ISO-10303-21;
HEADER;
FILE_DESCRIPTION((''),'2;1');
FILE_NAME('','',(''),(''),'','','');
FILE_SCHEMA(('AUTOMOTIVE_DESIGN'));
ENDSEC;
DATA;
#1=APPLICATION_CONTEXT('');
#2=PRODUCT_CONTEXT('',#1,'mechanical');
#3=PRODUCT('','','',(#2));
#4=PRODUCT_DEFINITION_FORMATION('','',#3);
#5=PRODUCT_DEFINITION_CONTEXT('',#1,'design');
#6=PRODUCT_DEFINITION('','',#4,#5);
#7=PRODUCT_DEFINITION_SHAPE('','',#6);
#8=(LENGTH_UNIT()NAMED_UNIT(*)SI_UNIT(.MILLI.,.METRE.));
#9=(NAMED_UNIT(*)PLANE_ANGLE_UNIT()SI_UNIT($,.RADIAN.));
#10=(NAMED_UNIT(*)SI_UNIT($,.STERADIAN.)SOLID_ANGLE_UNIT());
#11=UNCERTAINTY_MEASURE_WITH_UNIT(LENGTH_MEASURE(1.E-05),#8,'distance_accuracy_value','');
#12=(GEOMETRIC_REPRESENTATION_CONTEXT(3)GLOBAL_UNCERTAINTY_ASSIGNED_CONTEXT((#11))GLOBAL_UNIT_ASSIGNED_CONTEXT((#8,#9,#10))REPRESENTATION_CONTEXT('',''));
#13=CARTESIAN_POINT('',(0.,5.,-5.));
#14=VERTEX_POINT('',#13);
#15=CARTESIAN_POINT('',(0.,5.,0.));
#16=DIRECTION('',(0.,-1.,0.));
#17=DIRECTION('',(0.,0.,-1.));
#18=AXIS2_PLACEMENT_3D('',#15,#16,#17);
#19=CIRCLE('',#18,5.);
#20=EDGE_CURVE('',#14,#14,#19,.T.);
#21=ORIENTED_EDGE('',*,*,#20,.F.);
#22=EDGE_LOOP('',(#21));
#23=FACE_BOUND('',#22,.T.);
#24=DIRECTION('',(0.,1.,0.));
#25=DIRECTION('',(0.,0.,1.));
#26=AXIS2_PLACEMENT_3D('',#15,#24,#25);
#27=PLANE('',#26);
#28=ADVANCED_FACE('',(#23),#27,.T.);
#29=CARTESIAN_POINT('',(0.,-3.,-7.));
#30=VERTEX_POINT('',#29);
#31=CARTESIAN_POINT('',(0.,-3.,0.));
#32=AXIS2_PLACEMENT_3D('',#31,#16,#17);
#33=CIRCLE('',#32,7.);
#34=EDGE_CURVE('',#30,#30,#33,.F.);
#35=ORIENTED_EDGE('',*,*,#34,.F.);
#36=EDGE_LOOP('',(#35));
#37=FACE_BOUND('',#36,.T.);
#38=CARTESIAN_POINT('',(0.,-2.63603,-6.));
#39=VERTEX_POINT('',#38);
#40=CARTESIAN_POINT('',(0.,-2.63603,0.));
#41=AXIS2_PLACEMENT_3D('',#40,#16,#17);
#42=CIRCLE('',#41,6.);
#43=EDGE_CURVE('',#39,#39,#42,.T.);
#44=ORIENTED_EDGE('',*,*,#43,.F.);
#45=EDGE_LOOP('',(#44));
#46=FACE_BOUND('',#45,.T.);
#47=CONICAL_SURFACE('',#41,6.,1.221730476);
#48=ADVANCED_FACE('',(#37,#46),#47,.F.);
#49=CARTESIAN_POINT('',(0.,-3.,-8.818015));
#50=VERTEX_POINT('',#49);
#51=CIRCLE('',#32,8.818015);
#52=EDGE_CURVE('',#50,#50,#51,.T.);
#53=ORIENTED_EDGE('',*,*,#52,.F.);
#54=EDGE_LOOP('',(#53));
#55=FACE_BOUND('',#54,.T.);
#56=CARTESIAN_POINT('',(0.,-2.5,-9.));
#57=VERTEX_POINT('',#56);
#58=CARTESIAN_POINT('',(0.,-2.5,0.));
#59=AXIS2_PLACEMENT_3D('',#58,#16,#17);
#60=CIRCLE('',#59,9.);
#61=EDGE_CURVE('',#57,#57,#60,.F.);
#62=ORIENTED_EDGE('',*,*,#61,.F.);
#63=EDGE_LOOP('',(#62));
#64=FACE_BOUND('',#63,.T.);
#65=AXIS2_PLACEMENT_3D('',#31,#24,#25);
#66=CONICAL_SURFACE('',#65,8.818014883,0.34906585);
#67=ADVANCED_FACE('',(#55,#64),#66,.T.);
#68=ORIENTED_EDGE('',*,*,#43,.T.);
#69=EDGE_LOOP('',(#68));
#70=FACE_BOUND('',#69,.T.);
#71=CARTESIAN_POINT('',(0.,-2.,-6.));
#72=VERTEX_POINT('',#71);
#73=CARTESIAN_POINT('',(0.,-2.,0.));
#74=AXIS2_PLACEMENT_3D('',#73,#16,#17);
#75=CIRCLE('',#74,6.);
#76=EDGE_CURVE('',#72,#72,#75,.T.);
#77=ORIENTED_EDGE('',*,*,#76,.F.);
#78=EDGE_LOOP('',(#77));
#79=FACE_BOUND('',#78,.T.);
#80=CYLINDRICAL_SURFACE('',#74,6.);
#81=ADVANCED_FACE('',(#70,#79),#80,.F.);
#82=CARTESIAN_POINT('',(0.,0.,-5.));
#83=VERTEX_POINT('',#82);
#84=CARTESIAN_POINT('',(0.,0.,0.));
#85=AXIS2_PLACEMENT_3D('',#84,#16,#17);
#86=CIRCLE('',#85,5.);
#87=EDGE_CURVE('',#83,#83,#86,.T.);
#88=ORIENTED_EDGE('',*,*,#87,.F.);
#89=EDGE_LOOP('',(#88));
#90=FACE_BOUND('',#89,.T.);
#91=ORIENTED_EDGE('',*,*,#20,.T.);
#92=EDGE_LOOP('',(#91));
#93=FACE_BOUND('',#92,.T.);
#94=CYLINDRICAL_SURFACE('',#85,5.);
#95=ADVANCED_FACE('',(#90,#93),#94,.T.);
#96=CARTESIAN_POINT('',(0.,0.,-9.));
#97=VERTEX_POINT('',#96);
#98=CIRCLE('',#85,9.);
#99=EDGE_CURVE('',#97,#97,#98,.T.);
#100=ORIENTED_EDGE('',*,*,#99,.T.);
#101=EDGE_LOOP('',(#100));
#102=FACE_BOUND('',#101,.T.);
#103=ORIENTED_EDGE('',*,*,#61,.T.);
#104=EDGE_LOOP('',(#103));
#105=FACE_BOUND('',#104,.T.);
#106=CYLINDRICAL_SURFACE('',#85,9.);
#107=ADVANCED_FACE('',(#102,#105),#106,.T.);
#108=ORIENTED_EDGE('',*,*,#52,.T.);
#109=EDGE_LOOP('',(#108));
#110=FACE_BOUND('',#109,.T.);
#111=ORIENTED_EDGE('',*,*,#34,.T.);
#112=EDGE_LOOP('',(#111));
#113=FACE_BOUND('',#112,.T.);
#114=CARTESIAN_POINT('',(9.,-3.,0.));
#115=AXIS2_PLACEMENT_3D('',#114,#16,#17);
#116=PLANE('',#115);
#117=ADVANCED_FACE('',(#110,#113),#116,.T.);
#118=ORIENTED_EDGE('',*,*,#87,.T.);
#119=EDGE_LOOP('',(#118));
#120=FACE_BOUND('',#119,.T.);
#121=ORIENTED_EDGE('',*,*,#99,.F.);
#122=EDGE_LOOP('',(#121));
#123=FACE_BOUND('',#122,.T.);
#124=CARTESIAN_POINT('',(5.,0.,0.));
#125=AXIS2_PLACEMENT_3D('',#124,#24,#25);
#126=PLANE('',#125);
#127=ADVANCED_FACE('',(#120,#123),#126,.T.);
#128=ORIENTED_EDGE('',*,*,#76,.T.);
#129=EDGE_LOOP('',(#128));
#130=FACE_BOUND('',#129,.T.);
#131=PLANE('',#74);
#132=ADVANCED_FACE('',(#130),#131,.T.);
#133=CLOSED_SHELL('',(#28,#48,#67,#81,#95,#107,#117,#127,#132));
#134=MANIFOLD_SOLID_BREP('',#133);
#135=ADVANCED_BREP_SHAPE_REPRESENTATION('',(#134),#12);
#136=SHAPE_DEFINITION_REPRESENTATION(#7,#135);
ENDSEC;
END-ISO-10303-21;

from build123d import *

# Parameters (mm, degrees)
SKETCH_3_R          = 6
CUT_EXTRUDE_1_DEPTH = 1
CHAMFER_1_SIZE      = 1
CHAMFER_1_SIZE2     = 0.363970234
CHAMFER_2_SIZE      = 0.5
CHAMFER_2_SIZE2     = 0.181985117


with BuildPart() as part:
    # Эскиз1 → Повернуть1 (revolve)
    with BuildSketch(Plane.XY):
        Polygon((0, 0), (0, 5), (5, 5), (5, 0), (9, 0), (9, -3), (0, -3), align=None)
    revolve(axis=Axis((0, 0, 0), (0, 1, 0)))

    # Эскиз3 → Вырез-Вытянуть1 (cut)
    with BuildSketch(Plane.XZ.offset(3)):
        Circle(SKETCH_3_R)
    extrude(amount=-CUT_EXTRUDE_1_DEPTH, mode=Mode.SUBTRACT)

    # Фаска1
    chamfer_1_edges = [part.edges().sort_by_distance(p)[0] for p in [
        (-6, -3, 0),
    ]]
    chamfer_1_side = [part.faces().sort_by_distance(p)[0] for p in [
        (-8.745441559, -3, 0),
    ]]
    chamfer(chamfer_1_edges, length=CHAMFER_1_SIZE, length2=CHAMFER_1_SIZE2, reference=chamfer_1_side[0])

    # Фаска2
    chamfer_2_edges = [part.edges().sort_by_distance(p)[0] for p in [
        (-9, -3, 0),
    ]]
    chamfer_2_side = [part.faces().sort_by_distance(p)[0] for p in [
        (-9, -1.5, 0),
    ]]
    chamfer(chamfer_2_edges, length=CHAMFER_2_SIZE, length2=CHAMFER_2_SIZE2, reference=chamfer_2_side[0])


solid = part.part
